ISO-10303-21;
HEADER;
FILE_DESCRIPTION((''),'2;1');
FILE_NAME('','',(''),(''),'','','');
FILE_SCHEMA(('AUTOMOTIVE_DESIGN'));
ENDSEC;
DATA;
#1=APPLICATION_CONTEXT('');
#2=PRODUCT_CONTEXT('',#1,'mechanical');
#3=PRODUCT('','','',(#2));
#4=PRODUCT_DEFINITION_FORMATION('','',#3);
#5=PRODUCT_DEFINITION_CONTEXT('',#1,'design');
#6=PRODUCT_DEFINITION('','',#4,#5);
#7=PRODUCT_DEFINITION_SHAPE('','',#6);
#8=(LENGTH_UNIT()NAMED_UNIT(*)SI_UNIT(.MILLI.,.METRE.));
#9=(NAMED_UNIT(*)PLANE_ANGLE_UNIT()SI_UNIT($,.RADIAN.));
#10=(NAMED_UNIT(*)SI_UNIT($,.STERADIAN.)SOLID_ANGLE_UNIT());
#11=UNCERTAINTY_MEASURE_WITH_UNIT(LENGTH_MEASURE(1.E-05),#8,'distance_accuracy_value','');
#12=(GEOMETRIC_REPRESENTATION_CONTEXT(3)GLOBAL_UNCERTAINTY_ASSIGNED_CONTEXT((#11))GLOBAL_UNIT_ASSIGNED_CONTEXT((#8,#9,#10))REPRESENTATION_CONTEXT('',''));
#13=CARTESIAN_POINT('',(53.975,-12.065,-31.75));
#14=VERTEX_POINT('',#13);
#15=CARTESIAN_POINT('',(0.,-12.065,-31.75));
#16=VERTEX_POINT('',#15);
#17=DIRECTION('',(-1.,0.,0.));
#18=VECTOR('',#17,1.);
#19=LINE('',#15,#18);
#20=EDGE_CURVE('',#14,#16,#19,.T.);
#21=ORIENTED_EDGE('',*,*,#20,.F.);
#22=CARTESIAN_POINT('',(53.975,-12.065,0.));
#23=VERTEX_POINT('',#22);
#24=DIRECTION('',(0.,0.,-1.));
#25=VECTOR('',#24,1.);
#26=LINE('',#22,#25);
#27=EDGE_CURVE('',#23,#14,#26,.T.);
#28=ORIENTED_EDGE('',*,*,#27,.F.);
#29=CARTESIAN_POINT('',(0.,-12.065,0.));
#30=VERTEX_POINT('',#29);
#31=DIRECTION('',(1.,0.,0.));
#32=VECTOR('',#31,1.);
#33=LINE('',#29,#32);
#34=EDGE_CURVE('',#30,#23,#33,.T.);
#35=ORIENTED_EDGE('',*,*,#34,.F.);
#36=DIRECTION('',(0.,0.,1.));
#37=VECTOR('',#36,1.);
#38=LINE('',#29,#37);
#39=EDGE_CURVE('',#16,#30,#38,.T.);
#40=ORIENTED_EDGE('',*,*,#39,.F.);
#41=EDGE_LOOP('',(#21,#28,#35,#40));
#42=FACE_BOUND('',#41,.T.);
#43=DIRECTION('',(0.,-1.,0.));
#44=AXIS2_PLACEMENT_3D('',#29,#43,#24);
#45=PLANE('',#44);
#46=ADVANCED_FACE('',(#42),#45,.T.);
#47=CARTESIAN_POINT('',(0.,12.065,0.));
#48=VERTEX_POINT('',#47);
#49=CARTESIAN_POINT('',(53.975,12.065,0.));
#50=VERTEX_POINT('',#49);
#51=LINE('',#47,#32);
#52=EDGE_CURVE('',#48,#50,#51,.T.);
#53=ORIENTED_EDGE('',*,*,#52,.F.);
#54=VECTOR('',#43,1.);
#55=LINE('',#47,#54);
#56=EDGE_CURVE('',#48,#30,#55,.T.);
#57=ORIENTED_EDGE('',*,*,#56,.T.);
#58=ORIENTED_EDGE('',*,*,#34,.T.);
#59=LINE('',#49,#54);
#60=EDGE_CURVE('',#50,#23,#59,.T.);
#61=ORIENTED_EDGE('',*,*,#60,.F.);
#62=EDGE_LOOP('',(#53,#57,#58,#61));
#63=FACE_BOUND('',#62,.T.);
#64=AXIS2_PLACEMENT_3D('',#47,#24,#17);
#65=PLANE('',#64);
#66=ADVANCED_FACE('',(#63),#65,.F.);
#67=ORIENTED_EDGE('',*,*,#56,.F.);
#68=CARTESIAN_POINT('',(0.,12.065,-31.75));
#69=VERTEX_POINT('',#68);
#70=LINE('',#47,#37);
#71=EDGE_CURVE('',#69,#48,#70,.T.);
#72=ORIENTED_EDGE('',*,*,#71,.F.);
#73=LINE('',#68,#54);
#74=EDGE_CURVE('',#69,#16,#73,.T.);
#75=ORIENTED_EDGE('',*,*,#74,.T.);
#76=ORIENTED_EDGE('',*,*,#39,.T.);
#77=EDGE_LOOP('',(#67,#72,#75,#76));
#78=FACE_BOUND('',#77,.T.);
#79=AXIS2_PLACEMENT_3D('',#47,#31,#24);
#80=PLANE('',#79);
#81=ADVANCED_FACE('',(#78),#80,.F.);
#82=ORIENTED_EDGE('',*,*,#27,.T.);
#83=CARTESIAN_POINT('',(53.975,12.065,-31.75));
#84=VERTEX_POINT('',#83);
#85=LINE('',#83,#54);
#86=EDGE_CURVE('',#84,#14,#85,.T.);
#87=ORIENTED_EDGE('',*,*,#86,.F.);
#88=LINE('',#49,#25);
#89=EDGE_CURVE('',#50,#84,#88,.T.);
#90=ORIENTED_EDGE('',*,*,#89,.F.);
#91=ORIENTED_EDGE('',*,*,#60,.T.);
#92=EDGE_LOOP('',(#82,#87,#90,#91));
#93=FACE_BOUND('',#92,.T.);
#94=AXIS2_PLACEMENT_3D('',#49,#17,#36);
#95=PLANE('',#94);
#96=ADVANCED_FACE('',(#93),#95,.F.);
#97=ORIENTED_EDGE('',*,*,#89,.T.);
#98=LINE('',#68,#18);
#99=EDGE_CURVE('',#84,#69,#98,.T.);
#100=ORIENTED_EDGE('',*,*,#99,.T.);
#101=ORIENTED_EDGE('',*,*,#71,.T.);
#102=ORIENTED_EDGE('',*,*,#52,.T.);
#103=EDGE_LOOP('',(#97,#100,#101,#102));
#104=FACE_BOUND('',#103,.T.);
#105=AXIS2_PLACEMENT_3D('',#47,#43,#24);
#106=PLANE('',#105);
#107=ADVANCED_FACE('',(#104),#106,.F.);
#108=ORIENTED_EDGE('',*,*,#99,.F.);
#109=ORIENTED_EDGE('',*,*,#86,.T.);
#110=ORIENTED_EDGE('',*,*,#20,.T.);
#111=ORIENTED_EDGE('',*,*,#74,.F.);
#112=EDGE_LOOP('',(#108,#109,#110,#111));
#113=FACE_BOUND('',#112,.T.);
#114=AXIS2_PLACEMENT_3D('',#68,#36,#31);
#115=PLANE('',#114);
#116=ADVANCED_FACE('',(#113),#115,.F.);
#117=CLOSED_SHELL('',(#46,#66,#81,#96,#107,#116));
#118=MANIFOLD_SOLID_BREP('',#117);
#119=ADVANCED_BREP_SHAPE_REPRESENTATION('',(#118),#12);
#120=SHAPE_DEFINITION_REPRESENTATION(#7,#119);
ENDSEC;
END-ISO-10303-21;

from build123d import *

# Parameters (mm, degrees)
ESQUISSE1_W        = 53.975
ESQUISSE1_H        = 31.75
BOSS_EXTRU_1_DEPTH = 12.065


with BuildPart() as part:
    # Esquisse1 → Boss.-Extru.1 (new, symmetric)
    with BuildSketch(Plane(origin=(0, 0, 0), x_dir=(1, 0, 0), z_dir=(0, 1, 0))):
        with Locations((26.9875, 15.875)):
            Rectangle(ESQUISSE1_W, ESQUISSE1_H)
    extrude(amount=BOSS_EXTRU_1_DEPTH, both=True)


solid = part.part
